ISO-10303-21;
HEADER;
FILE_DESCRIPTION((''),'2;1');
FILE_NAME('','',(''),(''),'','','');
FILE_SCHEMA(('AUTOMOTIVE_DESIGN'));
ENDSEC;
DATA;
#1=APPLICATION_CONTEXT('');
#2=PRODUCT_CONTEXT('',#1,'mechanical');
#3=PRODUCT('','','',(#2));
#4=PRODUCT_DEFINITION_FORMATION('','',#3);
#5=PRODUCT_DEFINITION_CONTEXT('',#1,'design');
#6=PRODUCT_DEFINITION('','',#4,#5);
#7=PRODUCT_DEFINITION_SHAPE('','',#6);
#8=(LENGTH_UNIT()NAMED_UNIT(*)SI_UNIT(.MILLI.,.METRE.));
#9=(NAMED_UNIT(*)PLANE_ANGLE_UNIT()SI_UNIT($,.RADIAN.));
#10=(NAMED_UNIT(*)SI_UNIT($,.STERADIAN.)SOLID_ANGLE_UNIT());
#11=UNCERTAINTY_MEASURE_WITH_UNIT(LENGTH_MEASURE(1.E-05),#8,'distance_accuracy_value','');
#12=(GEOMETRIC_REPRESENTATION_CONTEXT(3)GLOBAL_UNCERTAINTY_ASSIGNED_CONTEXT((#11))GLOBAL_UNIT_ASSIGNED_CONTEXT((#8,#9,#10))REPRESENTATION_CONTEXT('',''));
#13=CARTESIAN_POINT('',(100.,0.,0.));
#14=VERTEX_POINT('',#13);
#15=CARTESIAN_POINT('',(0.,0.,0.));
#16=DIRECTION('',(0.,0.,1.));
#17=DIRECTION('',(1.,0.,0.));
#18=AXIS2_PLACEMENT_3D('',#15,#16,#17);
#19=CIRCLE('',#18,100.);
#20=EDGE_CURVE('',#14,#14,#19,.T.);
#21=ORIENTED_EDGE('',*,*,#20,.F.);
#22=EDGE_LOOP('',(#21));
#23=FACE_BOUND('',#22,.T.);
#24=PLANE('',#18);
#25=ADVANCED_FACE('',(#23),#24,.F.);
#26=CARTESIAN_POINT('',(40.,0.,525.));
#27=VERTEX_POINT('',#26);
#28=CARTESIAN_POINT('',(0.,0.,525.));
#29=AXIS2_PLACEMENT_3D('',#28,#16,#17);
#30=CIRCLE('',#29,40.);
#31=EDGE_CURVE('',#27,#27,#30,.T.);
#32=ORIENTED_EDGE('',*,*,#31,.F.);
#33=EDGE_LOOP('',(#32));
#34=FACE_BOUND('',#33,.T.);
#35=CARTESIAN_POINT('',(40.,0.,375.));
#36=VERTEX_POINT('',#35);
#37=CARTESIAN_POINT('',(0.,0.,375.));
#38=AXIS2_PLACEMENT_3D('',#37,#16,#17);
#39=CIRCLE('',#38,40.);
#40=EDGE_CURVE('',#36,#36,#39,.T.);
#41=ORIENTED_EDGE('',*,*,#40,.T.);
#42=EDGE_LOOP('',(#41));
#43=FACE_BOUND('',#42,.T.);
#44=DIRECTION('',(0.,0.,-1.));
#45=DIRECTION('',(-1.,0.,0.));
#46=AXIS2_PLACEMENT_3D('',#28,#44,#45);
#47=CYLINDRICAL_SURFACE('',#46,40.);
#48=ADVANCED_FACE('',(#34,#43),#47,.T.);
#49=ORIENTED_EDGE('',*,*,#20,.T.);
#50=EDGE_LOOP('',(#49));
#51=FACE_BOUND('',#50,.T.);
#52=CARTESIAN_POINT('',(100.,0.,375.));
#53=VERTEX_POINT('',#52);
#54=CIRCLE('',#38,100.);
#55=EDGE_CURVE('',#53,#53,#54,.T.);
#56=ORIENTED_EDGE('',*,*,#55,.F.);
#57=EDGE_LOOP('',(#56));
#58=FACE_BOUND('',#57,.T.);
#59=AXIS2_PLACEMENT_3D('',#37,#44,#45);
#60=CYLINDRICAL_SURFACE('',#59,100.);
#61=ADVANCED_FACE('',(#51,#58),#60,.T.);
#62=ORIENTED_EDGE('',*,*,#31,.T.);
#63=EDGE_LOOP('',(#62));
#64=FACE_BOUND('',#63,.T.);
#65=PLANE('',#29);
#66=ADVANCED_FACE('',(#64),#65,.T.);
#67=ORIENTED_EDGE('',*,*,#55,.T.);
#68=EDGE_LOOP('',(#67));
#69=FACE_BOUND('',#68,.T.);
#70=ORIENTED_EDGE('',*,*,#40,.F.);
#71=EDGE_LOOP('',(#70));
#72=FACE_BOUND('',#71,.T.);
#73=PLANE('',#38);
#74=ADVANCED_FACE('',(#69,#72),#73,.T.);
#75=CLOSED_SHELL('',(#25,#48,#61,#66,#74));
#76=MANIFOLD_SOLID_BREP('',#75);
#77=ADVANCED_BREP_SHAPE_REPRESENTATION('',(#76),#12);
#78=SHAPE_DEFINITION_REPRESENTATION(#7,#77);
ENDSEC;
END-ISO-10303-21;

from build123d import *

# Parameters (mm, degrees)
SKETCH_2_R      = 100
EXTRUDE_1_DEPTH = 375
SKETCH_3_R      = 40
EXTRUDE_2_DEPTH = 150


with BuildPart() as part:
    # Эскиз2 → Бобышка-Вытянуть1 (new body)
    with BuildSketch(Plane.XY):
        Circle(SKETCH_2_R)
    extrude(amount=EXTRUDE_1_DEPTH)

    # Эскиз3 → Бобышка-Вытянуть2 (add)
    with BuildSketch(Plane.XY.offset(375)):
        Circle(SKETCH_3_R)
    extrude(amount=EXTRUDE_2_DEPTH)


solid = part.part
